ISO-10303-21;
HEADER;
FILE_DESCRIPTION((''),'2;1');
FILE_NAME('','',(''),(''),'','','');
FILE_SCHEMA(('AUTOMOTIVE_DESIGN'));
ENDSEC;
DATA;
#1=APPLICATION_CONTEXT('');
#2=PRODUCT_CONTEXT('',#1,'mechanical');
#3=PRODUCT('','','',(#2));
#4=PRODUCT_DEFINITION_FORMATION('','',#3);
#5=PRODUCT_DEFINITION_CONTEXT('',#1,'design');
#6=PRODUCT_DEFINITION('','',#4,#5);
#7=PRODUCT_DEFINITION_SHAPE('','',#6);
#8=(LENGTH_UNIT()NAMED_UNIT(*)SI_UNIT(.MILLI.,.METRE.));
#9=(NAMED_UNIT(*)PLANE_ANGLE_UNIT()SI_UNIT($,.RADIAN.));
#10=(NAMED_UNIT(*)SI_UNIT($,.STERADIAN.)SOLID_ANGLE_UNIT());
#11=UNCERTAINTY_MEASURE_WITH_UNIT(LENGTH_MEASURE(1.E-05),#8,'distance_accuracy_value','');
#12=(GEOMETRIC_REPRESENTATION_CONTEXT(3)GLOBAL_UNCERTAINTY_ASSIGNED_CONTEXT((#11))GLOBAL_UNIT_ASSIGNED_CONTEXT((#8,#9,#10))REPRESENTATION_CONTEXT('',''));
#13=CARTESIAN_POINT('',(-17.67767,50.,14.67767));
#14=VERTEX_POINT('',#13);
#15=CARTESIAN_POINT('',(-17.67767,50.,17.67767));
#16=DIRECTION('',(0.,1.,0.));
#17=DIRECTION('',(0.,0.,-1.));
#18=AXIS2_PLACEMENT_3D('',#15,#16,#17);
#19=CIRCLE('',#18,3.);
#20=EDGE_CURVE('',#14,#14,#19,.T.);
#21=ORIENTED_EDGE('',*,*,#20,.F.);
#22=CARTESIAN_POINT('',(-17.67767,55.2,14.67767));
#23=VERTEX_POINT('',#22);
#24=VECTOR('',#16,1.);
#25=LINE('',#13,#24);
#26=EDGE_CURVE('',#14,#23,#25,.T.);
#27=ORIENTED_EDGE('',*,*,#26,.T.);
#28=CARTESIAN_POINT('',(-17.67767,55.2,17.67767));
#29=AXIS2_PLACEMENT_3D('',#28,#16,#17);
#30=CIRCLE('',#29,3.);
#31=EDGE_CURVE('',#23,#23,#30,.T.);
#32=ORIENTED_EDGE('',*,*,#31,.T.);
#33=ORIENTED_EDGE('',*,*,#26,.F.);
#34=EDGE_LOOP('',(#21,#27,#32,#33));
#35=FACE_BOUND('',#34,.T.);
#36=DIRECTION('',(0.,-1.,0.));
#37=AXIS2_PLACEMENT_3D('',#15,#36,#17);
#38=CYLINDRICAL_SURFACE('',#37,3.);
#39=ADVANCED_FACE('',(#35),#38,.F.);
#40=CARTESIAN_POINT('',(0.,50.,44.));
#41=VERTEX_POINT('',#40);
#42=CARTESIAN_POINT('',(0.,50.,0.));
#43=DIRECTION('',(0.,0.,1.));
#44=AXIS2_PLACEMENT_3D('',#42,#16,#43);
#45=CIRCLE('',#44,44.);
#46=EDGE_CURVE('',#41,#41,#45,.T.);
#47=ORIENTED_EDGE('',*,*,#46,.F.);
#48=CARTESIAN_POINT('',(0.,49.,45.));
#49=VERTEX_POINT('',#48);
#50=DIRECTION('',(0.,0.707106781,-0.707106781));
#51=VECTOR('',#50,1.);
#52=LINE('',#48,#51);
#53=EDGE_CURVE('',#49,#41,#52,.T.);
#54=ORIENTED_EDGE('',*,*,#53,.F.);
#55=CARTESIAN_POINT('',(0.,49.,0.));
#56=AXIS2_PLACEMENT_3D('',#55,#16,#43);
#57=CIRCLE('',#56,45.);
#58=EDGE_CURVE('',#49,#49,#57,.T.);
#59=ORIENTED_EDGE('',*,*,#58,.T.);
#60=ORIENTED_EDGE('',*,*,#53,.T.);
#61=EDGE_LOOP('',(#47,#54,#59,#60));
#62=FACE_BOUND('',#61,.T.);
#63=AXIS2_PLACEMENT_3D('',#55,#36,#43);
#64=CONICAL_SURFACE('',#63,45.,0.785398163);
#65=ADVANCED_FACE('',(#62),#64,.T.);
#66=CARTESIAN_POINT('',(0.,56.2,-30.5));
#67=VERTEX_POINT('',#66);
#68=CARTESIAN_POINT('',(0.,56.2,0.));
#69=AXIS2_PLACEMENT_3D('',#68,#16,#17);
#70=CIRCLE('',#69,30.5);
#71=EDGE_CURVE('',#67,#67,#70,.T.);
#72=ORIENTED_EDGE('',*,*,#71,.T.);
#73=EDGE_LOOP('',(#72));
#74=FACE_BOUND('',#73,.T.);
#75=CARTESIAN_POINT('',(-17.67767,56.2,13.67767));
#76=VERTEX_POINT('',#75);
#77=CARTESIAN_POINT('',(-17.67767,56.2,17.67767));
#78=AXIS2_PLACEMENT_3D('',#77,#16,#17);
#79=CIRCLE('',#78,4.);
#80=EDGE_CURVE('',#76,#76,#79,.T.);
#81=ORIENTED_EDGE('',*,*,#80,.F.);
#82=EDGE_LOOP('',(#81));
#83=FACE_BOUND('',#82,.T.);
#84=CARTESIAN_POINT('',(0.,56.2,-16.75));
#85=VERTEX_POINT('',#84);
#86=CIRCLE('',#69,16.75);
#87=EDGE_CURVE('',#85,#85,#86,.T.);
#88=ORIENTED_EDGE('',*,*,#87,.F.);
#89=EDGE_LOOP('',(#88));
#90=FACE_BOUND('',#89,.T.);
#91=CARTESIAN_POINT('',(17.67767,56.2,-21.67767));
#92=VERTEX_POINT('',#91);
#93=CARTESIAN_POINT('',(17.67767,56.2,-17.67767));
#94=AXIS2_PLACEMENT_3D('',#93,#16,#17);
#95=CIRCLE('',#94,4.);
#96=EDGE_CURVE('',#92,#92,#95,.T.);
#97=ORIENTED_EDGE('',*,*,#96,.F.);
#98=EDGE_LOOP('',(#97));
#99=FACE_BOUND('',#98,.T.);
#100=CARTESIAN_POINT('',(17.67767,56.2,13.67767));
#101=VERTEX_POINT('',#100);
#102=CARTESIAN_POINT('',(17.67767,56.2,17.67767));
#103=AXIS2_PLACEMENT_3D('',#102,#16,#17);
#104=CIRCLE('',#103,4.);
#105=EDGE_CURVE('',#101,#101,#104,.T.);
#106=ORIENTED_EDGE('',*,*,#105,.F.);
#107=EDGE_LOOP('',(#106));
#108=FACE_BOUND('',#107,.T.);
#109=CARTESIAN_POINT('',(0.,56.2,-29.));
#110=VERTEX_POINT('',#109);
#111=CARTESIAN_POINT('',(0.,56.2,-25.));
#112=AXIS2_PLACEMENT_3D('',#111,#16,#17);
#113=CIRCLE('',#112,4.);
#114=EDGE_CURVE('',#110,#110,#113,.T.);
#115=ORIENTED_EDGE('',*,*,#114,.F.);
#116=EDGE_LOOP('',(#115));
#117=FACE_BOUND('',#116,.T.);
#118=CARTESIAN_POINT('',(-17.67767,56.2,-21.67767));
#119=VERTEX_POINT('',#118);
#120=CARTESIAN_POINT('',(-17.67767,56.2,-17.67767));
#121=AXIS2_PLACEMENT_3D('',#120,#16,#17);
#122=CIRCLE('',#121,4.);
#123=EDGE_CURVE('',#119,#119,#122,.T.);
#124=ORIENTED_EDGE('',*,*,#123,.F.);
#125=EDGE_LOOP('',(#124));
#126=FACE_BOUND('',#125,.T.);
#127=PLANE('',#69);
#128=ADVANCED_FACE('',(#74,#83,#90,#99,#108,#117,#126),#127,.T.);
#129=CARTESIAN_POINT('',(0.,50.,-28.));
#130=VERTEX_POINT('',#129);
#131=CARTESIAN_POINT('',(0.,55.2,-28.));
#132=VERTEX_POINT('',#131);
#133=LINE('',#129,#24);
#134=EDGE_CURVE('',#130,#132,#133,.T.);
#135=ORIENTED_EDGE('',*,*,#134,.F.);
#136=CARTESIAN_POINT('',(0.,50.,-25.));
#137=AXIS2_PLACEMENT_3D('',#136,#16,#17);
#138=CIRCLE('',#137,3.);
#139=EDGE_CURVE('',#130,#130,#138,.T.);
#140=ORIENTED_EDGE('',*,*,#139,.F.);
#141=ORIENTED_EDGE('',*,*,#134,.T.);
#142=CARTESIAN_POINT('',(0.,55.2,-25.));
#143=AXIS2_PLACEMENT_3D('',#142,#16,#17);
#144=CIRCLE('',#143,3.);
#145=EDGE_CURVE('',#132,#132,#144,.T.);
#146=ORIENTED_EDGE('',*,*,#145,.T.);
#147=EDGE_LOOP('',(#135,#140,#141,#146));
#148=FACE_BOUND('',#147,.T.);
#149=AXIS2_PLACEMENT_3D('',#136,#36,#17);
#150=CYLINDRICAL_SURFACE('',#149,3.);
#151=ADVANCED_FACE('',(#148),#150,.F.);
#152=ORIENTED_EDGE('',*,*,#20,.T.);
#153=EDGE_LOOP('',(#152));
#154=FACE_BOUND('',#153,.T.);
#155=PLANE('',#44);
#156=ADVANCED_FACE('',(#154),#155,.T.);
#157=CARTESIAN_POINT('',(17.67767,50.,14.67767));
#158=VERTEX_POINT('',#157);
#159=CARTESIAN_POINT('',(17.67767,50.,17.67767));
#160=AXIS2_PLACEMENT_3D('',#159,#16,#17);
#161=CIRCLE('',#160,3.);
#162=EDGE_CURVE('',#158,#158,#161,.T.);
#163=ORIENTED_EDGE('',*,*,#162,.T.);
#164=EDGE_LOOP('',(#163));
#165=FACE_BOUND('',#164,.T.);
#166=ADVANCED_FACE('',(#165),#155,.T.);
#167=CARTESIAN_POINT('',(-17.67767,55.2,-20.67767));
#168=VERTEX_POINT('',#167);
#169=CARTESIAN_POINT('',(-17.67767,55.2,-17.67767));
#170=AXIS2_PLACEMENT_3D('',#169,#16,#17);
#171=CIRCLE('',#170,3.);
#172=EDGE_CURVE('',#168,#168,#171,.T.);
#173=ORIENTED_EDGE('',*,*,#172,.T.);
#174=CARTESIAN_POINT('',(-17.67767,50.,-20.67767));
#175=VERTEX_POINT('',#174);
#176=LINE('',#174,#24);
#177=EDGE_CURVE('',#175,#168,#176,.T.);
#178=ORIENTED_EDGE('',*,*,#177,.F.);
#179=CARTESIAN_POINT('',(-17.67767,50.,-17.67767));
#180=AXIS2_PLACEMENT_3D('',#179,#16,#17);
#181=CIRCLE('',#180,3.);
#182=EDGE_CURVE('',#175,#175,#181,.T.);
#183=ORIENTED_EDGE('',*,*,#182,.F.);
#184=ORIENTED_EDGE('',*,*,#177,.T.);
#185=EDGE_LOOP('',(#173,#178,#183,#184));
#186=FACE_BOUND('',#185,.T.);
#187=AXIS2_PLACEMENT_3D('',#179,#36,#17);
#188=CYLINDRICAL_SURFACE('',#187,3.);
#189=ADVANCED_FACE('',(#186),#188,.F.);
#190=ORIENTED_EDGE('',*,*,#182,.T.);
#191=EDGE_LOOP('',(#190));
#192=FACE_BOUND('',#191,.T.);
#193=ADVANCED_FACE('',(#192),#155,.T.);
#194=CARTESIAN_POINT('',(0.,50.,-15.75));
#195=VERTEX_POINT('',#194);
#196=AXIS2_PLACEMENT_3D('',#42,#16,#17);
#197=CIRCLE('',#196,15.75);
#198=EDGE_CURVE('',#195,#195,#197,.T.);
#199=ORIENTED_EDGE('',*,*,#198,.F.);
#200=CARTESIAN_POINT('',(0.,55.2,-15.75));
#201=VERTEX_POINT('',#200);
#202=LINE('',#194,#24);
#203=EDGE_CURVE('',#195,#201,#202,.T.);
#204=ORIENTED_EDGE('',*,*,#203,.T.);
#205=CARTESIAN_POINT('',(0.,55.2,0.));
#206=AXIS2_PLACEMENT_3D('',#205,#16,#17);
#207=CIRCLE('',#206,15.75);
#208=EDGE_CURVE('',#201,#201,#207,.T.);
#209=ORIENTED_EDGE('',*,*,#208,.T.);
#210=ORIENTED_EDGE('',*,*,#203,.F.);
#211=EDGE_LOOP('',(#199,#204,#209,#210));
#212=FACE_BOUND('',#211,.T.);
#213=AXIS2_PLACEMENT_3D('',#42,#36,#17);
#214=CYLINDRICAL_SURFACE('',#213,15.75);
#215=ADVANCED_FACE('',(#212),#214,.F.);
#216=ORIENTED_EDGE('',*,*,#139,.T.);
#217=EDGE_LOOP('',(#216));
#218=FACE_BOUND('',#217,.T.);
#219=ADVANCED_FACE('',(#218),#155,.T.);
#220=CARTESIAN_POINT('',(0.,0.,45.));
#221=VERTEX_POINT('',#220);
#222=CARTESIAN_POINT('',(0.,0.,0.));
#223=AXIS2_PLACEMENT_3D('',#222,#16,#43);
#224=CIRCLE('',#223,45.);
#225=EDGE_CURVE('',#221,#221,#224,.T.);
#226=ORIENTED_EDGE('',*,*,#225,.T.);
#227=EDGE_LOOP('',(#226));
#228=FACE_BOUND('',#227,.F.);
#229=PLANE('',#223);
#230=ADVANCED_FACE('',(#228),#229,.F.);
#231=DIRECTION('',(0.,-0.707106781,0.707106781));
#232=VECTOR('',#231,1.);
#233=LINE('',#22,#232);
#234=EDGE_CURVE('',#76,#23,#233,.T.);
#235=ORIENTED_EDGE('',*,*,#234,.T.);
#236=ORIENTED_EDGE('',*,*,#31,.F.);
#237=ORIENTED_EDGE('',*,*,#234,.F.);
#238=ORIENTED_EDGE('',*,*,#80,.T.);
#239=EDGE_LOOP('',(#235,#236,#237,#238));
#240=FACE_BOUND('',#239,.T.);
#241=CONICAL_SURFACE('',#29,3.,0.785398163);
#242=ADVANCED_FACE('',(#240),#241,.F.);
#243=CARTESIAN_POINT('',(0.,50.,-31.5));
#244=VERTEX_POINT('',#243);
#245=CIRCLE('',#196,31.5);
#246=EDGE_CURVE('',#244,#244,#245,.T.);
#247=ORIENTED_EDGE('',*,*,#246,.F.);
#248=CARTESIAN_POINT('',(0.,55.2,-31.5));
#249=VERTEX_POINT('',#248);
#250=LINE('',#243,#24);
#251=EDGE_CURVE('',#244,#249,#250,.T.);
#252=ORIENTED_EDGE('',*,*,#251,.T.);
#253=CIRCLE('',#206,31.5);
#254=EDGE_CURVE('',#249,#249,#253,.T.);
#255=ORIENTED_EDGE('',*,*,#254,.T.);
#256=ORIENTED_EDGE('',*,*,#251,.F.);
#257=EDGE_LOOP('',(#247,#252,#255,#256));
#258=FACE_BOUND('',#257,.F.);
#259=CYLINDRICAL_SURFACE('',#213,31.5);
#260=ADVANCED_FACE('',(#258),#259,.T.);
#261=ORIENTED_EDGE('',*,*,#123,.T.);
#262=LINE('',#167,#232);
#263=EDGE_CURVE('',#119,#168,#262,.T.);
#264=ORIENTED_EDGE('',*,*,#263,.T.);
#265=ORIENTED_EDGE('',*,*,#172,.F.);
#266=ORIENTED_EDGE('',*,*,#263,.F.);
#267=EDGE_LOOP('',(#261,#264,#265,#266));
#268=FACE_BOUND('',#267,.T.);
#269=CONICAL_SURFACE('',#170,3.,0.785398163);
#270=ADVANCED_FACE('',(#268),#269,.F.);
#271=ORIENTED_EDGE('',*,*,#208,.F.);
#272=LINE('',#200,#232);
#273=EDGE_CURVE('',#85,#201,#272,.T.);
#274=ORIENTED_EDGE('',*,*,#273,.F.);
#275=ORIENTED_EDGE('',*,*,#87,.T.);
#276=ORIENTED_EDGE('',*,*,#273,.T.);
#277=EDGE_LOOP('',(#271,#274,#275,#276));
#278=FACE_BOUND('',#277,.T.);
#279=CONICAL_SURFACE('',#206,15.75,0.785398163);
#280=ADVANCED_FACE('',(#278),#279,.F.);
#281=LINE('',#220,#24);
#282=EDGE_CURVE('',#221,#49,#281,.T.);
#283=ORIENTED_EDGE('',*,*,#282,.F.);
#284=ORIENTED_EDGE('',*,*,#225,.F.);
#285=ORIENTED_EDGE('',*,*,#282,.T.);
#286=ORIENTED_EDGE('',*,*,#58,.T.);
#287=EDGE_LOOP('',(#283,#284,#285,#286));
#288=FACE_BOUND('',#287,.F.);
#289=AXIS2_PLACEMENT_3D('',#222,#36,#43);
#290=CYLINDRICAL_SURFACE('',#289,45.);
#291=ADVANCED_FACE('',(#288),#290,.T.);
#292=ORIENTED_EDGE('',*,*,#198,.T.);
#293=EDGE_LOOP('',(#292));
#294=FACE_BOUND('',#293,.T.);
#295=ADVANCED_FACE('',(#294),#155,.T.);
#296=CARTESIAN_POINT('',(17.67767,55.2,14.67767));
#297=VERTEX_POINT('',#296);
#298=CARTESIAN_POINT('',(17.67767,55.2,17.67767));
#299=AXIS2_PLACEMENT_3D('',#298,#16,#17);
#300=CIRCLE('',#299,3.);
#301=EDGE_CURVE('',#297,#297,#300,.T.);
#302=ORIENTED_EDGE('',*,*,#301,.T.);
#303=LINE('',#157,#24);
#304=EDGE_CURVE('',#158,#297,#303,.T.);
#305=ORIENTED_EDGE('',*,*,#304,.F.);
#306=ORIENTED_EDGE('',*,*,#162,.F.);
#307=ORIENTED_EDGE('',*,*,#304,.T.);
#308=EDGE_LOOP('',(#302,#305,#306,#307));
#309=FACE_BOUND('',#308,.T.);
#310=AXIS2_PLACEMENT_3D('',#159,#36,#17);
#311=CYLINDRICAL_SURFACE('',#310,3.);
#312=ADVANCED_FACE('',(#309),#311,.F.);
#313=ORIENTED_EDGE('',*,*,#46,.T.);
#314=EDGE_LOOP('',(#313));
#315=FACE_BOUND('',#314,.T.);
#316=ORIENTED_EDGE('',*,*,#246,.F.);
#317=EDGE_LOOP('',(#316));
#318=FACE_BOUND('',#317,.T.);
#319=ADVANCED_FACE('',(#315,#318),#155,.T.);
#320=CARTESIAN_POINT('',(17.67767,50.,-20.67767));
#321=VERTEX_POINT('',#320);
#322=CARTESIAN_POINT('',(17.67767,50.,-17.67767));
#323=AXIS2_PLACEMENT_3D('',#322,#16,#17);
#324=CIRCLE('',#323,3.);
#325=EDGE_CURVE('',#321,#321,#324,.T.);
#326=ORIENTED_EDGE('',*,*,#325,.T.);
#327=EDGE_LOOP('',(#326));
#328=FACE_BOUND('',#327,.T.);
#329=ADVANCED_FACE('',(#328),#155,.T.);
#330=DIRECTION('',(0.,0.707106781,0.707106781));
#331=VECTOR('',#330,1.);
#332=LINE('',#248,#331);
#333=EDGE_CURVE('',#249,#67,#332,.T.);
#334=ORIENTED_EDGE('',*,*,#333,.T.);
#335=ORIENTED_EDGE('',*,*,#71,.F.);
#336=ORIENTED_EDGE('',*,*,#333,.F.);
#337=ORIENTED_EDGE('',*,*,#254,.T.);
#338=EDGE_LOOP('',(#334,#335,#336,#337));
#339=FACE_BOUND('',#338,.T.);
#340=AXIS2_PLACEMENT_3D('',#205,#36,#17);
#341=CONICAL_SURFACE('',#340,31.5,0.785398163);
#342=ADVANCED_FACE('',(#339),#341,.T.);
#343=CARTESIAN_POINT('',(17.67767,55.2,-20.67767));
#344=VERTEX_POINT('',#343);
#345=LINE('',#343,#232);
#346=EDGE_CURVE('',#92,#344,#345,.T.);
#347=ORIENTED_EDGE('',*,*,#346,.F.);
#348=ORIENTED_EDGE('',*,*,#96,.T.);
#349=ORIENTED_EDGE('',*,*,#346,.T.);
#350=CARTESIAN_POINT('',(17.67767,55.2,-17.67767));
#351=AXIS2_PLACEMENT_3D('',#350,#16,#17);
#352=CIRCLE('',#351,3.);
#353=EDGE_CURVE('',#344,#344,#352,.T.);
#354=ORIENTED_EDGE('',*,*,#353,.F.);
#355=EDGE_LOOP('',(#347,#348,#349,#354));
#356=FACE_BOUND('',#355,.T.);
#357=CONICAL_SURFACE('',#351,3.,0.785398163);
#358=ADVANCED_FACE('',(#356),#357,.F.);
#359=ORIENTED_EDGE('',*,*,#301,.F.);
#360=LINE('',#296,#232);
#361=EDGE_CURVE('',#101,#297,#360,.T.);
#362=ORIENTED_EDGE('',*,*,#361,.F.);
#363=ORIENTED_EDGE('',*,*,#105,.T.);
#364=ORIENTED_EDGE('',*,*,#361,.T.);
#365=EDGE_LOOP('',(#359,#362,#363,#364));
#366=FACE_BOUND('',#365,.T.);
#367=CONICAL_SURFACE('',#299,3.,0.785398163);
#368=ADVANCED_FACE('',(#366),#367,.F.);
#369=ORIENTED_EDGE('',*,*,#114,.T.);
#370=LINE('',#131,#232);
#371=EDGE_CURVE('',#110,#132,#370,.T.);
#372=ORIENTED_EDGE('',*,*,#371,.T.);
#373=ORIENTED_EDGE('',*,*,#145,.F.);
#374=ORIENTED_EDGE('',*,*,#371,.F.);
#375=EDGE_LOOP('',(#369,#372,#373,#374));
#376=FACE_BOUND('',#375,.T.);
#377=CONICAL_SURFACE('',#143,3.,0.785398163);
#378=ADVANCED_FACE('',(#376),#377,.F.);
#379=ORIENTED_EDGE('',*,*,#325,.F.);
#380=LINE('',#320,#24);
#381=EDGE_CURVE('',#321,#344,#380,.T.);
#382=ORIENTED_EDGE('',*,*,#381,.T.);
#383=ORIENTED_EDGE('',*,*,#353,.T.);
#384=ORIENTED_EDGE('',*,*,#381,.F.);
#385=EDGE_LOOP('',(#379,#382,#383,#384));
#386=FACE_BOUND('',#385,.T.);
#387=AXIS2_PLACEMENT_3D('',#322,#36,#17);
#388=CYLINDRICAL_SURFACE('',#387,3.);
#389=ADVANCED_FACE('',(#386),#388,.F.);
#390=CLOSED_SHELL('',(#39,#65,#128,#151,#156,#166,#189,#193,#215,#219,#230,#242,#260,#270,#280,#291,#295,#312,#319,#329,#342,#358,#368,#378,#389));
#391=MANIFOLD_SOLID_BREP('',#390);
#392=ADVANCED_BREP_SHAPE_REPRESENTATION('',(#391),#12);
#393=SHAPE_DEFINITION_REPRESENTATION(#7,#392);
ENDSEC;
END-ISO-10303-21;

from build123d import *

# Parameters (mm, degrees)
SKIZZE1_R                       = 45
AUFSATZ_LINEAR_AUSTRAGEN1_DEPTH = 50
SKIZZE2_R                       = 31.5
SKIZZE2_R_2                     = 15.75
SKIZZE2_R_3                     = 3
AUFSATZ_LINEAR_AUSTRAGEN2_DEPTH = 6.2
FASE1_SIZE                      = 1


with BuildPart() as part:
    # Skizze1 → Aufsatz-Linear austragen1 (new body)
    with BuildSketch(Plane(origin=(0, 0, 0), x_dir=(1, 0, 0), z_dir=(0, 1, 0))):
        with Locations(Location((0, 0, 0), (0, 0, 270))):
            Circle(SKIZZE1_R)
    extrude(amount=AUFSATZ_LINEAR_AUSTRAGEN1_DEPTH)

    # Skizze2 → Aufsatz-Linear austragen2 (add)
    with BuildSketch(Plane(origin=(0, 50, 0), x_dir=(1, 0, 0), z_dir=(0, 1, 0))):
        with Locations(Location((0, 0, 0), (0, 0, 90))):
            Circle(SKIZZE2_R)
        with Locations(Location((0, 0, 0), (0, 0, 90))):
            Circle(SKIZZE2_R_2, mode=Mode.SUBTRACT)
        with Locations(Location((17.67766953, 17.67766953, 0), (0, 0, 90))):
            Circle(SKIZZE2_R_3, mode=Mode.SUBTRACT)
        with Locations(Location((0, 25, 0), (0, 0, 90))):
            Circle(SKIZZE2_R_3, mode=Mode.SUBTRACT)
        with Locations(Location((17.67766953, -17.67766953, 0), (0, 0, 90))):
            Circle(SKIZZE2_R_3, mode=Mode.SUBTRACT)
        with Locations(Location((-17.67766953, -17.67766953, 0), (0, 0, 90))):
            Circle(SKIZZE2_R_3, mode=Mode.SUBTRACT)
        with Locations(Location((-17.67766953, 17.67766953, 0), (0, 0, 90))):
            Circle(SKIZZE2_R_3, mode=Mode.SUBTRACT)
    extrude(amount=AUFSATZ_LINEAR_AUSTRAGEN2_DEPTH)

    # Fase1
    fase1_edges = [part.edges().sort_by_distance(p)[0] for p in [
        (0, 56.2, 31.5),
        (0, 56.2, 15.75),
        (17.67766953, 56.2, -14.67766953),
        (0, 56.2, -22),
        (17.67766953, 56.2, 20.67766953),
        (-17.67766953, 56.2, 20.67766953),
        (-17.67766953, 56.2, -14.67766953),
        (0, 50, -45),
    ]]
    chamfer(fase1_edges, length=FASE1_SIZE)


solid = part.part
